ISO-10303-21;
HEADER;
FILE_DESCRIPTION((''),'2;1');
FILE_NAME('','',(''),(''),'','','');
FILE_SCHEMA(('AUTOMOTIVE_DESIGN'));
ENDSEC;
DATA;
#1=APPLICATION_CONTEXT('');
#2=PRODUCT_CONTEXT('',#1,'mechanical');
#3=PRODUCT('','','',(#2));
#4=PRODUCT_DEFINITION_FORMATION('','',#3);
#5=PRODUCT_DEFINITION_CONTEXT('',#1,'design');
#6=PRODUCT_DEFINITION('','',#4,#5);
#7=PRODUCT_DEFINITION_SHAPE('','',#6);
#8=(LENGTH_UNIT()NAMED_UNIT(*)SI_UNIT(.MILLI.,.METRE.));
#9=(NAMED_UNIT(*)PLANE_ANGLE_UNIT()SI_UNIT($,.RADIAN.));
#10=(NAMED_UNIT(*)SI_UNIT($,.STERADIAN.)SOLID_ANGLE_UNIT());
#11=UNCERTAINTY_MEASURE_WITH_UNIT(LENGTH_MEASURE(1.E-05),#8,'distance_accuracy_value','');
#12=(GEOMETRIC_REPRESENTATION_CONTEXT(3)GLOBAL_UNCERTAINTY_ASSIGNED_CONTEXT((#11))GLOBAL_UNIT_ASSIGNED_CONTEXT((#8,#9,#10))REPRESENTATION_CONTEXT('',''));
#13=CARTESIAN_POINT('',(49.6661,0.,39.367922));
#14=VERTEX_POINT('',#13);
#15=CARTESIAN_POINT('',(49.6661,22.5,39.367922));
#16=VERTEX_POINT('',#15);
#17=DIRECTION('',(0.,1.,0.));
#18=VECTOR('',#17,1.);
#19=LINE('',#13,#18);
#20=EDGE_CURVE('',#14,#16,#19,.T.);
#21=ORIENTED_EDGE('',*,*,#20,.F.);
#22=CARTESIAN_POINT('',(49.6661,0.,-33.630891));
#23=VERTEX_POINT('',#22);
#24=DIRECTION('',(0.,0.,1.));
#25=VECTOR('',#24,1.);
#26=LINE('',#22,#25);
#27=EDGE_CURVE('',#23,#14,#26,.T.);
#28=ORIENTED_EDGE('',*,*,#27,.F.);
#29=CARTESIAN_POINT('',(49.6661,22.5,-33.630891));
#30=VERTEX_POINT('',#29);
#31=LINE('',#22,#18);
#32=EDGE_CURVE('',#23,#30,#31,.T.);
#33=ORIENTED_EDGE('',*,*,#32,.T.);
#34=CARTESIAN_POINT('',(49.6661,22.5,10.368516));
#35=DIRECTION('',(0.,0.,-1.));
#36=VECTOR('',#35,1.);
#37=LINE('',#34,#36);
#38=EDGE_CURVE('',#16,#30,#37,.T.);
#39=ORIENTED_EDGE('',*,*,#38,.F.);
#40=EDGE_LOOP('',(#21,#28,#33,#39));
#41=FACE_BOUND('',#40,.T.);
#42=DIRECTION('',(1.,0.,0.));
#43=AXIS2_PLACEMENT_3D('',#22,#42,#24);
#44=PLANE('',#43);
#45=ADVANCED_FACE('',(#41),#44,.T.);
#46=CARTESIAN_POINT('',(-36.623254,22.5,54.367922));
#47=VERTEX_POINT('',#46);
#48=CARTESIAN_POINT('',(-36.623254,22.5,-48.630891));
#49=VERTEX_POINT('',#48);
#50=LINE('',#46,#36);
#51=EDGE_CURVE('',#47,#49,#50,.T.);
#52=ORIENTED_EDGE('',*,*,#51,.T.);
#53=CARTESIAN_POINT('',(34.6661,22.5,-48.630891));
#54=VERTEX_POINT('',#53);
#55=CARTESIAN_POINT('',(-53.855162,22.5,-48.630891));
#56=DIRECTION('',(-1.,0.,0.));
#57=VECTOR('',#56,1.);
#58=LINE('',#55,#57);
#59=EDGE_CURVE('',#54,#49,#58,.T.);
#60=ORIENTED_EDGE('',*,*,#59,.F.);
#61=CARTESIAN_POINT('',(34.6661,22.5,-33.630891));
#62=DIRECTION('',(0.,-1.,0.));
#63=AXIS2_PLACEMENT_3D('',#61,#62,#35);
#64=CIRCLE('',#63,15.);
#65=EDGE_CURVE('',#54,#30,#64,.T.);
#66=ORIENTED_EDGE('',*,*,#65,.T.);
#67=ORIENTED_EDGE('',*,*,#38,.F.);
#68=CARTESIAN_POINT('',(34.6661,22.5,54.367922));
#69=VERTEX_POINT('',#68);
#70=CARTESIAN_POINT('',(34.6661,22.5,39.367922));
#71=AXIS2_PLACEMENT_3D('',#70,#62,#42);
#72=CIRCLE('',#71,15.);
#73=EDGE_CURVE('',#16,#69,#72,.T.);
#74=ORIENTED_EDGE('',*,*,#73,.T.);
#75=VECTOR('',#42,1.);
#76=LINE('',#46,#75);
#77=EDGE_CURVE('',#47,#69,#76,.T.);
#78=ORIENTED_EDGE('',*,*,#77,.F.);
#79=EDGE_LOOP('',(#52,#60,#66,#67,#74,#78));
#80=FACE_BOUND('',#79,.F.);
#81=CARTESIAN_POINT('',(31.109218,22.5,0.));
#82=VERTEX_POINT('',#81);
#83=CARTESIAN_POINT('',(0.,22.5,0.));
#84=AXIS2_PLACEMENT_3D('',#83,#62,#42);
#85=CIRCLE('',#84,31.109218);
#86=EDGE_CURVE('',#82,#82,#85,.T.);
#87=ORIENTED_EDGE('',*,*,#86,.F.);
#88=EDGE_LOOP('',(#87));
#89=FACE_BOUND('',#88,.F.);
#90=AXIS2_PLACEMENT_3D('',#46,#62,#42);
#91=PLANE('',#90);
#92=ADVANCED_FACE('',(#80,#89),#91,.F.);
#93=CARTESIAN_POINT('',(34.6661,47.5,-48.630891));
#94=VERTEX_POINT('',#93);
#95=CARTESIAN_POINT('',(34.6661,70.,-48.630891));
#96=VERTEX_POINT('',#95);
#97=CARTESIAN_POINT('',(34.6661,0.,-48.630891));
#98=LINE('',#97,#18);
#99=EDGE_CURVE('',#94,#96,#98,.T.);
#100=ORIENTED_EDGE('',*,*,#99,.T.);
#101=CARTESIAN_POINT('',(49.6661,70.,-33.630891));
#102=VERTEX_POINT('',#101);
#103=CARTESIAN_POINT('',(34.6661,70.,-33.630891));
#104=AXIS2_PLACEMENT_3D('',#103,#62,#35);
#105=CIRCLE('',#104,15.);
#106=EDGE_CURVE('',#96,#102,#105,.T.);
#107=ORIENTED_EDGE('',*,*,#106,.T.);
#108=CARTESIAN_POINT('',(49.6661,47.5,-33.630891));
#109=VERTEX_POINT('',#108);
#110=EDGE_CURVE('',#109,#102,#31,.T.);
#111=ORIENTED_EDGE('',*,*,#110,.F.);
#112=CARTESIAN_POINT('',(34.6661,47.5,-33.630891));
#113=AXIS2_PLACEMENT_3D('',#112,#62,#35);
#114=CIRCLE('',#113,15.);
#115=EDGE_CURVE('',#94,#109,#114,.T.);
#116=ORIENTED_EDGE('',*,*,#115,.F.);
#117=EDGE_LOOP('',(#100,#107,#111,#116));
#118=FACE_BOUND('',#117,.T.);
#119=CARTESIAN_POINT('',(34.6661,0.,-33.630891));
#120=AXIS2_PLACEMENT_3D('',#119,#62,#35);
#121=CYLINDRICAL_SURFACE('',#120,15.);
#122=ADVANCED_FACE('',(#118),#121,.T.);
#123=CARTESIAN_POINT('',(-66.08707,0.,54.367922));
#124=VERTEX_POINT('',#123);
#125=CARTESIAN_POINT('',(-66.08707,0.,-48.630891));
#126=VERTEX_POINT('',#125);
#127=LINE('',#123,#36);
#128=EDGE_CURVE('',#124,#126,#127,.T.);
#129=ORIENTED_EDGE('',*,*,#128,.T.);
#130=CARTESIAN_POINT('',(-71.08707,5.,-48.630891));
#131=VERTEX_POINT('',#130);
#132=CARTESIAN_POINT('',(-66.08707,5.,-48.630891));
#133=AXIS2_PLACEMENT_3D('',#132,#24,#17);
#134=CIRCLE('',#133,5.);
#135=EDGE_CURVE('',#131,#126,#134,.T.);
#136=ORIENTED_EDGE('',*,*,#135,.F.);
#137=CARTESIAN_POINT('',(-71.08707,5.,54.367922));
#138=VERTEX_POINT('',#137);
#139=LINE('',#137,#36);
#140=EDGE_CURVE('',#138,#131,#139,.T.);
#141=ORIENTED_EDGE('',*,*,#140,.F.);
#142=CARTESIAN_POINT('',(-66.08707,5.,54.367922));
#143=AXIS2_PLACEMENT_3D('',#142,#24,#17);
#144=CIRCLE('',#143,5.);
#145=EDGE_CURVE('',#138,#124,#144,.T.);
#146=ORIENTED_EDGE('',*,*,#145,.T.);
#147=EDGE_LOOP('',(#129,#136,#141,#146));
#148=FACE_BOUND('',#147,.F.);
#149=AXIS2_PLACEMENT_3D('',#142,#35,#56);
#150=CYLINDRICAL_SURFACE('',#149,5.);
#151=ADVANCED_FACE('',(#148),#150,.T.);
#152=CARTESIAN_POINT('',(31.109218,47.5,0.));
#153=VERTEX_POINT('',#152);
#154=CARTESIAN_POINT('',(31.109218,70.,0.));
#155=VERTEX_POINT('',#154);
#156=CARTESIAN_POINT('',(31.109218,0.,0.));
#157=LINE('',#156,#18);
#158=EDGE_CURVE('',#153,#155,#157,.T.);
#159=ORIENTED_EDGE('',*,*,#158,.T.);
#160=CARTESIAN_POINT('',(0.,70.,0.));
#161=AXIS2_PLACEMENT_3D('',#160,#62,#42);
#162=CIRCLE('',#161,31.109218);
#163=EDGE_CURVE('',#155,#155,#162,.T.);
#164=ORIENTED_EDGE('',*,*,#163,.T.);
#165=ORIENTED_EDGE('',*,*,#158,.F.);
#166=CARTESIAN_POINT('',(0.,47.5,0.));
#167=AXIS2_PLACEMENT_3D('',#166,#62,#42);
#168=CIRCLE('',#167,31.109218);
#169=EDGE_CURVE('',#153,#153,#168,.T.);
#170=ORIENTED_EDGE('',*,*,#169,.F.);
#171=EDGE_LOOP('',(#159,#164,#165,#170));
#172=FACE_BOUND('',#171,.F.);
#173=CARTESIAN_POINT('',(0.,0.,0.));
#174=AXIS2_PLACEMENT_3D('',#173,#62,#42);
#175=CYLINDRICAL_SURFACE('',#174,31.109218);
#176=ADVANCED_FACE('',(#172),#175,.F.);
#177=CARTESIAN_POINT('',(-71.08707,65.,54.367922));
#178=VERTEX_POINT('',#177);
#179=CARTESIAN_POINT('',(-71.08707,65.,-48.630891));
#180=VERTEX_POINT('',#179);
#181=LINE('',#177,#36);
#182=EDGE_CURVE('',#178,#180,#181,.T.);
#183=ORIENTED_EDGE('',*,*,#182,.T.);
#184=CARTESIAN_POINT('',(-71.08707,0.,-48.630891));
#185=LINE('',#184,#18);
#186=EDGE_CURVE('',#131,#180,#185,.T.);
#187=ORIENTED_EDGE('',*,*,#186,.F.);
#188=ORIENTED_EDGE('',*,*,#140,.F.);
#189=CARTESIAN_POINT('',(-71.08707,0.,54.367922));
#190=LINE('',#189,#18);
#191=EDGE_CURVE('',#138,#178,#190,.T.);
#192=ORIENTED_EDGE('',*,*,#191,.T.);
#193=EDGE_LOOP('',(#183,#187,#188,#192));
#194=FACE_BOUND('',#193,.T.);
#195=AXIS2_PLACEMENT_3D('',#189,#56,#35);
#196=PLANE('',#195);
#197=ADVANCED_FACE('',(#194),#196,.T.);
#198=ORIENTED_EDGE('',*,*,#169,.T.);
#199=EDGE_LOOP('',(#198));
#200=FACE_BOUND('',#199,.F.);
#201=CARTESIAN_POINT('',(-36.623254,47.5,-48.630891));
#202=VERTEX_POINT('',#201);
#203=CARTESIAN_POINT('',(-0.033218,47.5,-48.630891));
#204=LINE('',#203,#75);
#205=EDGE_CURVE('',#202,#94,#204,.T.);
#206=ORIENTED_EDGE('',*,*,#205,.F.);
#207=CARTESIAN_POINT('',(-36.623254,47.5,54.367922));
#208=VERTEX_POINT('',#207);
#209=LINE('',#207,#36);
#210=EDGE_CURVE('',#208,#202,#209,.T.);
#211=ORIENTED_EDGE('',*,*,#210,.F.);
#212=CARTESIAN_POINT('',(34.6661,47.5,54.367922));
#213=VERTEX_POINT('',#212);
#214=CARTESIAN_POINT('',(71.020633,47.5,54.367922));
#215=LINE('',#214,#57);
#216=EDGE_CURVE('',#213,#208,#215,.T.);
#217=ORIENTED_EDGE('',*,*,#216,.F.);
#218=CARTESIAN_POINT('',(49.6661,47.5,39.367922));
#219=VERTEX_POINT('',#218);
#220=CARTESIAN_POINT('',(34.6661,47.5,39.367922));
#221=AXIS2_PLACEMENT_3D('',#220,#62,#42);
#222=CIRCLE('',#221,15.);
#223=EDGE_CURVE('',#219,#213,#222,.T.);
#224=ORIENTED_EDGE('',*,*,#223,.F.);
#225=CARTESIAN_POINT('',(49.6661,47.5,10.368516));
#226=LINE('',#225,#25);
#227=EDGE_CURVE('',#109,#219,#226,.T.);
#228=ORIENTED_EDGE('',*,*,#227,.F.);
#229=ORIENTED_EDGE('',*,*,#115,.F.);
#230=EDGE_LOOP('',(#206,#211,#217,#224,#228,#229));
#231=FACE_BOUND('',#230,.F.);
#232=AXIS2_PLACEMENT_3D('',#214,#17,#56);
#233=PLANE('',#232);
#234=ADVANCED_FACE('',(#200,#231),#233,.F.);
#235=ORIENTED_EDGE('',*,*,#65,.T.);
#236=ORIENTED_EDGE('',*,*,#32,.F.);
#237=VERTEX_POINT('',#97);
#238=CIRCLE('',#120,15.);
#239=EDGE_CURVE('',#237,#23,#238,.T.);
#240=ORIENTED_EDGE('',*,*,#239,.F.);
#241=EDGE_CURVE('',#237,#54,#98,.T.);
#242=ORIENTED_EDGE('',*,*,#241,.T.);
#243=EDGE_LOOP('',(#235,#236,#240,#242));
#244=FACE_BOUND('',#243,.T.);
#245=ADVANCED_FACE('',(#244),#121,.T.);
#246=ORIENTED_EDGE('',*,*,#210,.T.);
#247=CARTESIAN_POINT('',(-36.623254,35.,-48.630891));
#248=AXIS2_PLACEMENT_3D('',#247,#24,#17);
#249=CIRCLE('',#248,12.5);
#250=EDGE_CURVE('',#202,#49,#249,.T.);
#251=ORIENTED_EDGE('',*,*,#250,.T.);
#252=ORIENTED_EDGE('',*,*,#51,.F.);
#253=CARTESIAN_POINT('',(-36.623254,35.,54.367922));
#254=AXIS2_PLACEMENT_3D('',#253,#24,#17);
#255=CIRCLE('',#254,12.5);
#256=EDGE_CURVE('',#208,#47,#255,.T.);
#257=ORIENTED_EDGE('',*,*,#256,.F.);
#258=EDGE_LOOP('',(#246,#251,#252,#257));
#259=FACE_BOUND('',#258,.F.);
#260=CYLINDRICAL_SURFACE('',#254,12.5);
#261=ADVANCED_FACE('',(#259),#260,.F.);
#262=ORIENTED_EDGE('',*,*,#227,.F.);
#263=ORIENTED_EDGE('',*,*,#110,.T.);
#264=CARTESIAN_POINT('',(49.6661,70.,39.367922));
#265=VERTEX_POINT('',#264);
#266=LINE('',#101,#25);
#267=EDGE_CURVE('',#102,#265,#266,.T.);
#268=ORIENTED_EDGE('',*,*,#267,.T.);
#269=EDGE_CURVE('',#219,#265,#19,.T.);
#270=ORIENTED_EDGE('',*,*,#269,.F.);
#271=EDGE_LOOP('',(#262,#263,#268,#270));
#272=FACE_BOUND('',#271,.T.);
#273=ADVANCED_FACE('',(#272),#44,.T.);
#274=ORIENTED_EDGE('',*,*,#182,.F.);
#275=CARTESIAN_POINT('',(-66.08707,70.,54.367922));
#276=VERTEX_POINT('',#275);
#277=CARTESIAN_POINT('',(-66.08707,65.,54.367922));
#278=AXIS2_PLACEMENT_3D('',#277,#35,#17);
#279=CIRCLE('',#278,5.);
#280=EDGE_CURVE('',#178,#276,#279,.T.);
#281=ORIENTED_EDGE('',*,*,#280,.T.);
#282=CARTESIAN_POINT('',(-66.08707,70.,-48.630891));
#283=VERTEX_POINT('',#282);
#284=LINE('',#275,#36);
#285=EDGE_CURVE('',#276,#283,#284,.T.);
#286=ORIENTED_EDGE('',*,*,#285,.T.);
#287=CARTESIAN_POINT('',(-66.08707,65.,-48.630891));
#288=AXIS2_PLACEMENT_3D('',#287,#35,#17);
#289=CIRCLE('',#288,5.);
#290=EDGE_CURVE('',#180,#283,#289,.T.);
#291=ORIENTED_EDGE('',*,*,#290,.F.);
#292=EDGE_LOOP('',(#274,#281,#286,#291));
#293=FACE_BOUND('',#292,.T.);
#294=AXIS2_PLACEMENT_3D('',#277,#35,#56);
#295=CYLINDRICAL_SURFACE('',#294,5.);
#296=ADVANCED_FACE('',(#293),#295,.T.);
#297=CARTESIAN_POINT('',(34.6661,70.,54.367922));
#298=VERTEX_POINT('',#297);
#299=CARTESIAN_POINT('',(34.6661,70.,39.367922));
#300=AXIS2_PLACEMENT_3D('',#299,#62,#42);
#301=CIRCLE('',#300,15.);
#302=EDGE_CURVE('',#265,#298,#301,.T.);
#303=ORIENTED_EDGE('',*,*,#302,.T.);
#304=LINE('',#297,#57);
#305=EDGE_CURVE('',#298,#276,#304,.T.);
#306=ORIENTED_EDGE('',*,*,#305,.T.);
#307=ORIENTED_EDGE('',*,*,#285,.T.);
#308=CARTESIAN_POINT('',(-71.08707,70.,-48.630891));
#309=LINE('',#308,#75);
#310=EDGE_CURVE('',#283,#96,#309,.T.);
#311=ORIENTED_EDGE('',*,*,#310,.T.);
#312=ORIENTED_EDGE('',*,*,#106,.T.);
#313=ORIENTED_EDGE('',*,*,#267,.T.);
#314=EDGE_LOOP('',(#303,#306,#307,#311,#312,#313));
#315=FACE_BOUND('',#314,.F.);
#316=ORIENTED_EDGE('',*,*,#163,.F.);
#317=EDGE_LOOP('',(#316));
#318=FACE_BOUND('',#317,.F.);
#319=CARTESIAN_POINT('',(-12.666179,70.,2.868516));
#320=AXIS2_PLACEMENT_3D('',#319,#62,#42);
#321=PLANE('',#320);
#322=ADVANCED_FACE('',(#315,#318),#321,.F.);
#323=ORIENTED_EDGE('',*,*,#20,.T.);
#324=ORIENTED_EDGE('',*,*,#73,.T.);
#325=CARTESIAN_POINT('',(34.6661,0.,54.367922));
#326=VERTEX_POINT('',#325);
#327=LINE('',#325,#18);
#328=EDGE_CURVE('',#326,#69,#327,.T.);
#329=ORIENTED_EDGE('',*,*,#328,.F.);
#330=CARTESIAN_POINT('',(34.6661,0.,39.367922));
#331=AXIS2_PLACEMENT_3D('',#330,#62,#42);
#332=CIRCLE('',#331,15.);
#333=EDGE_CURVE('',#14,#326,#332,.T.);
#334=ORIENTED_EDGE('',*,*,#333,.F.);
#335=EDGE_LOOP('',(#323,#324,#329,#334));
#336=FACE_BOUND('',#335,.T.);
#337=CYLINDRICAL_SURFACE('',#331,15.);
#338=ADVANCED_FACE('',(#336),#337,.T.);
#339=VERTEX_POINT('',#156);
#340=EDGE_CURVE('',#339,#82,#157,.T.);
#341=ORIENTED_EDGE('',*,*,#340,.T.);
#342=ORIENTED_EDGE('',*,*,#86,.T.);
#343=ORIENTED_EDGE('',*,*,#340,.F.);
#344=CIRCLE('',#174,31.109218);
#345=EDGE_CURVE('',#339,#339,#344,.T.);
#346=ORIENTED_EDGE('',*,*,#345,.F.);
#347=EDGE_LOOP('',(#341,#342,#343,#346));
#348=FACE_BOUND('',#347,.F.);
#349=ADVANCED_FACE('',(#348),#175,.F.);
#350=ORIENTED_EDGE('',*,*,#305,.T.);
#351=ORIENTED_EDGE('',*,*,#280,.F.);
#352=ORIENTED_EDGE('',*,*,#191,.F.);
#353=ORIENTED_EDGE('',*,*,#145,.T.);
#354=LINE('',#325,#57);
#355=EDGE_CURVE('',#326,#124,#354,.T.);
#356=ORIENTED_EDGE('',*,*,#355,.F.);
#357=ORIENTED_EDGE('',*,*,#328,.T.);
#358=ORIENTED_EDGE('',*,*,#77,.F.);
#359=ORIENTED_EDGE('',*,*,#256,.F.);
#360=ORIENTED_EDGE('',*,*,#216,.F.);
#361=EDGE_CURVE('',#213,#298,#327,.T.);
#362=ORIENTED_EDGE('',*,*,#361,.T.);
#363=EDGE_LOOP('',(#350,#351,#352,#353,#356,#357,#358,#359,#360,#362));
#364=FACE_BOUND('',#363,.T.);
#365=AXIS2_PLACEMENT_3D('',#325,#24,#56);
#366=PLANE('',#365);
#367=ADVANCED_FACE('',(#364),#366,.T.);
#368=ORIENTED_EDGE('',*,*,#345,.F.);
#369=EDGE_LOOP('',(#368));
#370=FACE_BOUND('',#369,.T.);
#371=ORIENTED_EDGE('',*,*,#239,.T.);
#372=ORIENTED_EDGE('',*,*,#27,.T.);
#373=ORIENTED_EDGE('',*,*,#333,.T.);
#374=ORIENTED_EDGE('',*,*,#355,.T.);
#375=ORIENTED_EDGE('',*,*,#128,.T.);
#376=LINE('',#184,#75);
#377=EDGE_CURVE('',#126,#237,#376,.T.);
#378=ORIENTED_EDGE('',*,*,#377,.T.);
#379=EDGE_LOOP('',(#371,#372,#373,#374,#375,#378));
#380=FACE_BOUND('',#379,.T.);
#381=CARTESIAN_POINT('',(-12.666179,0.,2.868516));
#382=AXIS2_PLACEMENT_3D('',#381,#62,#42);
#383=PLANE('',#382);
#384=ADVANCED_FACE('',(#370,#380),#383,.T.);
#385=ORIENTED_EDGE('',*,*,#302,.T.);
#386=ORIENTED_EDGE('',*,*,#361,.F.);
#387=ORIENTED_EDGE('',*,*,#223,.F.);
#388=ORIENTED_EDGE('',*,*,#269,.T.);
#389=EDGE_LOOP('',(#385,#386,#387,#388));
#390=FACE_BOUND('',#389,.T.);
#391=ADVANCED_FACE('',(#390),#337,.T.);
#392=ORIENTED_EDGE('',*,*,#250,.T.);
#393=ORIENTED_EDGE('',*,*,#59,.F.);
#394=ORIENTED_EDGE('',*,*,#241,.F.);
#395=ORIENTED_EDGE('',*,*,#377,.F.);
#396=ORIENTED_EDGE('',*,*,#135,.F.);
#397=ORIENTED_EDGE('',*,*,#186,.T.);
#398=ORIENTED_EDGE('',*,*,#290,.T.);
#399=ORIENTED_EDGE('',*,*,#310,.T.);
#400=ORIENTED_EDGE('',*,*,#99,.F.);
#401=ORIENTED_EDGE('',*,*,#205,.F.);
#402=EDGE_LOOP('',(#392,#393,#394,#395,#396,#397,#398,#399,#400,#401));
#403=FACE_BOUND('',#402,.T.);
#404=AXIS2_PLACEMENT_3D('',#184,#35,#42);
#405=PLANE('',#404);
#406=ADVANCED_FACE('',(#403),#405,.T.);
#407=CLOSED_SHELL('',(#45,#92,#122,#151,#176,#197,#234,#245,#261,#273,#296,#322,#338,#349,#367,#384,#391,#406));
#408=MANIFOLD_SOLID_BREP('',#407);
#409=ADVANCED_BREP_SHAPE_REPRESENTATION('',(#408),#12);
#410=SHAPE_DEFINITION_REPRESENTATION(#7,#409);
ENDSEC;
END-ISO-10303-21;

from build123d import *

# Parameters (mm, degrees)
F1_DEPTH = 70
F2_R     = 5
F3_W     = 36.3545330494
F3_H     = 25
F4_DEPTH = 102.9998127055
F5_R     = 31.1092179588
F6_DEPTH = 70.001


with BuildPart() as f1:
    # F0 (on Front) → F1 (new body)
    with BuildSketch(Plane.XZ):
        with BuildLine():
            Line((34.6660999328, 54.3679218974), (-71.0870698094, 54.3679218974))
            Line((-71.0870698094, 54.3679218974), (-71.0870698094, -48.6308908081))
            Line((-71.0870698094, -48.6308908081), (34.6660999328, -48.6308908081))
            ThreePointArc((34.6660999328, -48.6308908081), (45.2727016506, -44.2374925259), (49.6660999328, -33.6308908081))
            Line((49.6660999328, -33.6308908081), (49.6660999328, 39.3679218974))
            ThreePointArc((49.6660999328, 39.3679218974), (45.2727016506, 49.9745236152), (34.6660999328, 54.3679218974))
        make_face()
    extrude(amount=-F1_DEPTH)

    # F2
    f2_edges = [f1.edges().sort_by_distance(p)[0] for p in [
        (-71.08707, 0, 2.868516),
        (-71.08707, 70, 2.868516),
    ]]
    fillet(f2_edges, radius=F2_R)

    # F3 (on face) → F4 (cut, through all)
    with BuildSketch(Plane.XY.offset(54.3679218974)):
        with BuildLine():
            Line((34.6660999328, 47.5), (-36.6232544184, 47.5))
            ThreePointArc((-36.6232544184, 47.5), (-49.1232544184, 35), (-36.6232544184, 22.5))
            Line((-36.6232544184, 22.5), (34.6660999328, 22.5))
            Line((34.6660999328, 22.5), (34.6660999328, 47.5))
        make_face()
        with Locations((52.8433664575, 35)):
            Rectangle(F3_W, F3_H)
    extrude(amount=-F4_DEPTH, mode=Mode.SUBTRACT)

    # F5 (on face) → F6 (cut, through all)
    with BuildSketch(Plane.XZ):
        Circle(F5_R)
    extrude(amount=-F6_DEPTH, mode=Mode.SUBTRACT)


solid = f1.part
